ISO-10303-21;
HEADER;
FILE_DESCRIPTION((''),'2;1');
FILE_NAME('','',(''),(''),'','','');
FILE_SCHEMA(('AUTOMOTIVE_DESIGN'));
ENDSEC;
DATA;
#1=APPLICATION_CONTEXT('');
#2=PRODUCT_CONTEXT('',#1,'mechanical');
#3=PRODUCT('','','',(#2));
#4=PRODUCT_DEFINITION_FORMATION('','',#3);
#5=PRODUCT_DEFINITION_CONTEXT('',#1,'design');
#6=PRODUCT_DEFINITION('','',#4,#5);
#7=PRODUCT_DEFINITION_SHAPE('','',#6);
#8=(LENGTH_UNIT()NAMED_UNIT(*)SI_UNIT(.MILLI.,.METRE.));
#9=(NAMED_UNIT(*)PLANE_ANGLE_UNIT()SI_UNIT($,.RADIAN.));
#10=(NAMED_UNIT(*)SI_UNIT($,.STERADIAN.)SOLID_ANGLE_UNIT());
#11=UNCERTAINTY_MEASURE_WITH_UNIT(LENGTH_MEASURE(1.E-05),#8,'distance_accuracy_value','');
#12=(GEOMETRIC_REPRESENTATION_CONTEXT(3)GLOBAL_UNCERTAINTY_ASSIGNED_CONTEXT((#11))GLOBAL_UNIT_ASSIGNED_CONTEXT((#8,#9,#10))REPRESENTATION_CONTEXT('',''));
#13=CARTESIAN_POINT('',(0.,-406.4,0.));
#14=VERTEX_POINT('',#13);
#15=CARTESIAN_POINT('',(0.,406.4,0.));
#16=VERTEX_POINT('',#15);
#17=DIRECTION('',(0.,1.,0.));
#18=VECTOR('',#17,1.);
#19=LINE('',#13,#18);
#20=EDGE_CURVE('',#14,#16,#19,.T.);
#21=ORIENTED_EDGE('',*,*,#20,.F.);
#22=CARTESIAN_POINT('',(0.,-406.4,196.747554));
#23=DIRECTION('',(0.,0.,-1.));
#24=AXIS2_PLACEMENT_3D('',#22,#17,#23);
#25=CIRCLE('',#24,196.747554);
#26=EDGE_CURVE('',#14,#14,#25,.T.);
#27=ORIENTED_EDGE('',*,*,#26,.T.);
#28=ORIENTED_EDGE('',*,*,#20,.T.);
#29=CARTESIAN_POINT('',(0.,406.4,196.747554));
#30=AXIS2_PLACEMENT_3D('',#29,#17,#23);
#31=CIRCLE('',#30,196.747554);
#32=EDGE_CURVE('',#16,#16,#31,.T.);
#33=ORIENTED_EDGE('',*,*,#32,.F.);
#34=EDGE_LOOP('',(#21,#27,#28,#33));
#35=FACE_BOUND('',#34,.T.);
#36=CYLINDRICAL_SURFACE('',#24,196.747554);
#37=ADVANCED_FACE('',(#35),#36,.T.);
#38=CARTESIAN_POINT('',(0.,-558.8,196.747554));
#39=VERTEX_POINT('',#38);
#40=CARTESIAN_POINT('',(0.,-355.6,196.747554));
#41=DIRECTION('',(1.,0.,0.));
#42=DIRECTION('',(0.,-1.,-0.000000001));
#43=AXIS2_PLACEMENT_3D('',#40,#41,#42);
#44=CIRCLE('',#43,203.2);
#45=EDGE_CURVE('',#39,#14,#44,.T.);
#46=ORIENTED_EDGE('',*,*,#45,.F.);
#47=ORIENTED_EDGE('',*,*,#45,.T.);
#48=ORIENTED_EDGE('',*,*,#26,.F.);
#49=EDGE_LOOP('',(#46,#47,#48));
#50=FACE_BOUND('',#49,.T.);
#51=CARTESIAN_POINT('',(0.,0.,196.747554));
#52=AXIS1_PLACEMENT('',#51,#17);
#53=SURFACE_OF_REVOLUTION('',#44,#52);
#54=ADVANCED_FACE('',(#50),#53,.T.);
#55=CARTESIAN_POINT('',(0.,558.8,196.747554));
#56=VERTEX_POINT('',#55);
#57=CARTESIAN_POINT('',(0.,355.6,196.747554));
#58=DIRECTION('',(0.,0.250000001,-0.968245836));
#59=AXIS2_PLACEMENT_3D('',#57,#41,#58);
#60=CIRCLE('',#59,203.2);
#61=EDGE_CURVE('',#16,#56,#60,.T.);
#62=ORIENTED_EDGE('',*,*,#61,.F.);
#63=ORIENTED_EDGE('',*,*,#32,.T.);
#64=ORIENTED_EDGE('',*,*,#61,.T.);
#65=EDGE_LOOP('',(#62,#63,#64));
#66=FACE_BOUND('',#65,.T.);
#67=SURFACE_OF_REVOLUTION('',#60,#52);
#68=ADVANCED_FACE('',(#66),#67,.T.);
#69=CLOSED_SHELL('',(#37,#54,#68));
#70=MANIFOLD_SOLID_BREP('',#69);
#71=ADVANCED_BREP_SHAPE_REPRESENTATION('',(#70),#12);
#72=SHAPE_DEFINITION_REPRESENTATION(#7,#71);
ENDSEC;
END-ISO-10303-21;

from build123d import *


with BuildPart() as f1:
    # F0 (on Right) → F1 (revolve)
    with BuildSketch(Plane.YZ):
        with BuildLine():
            ThreePointArc((-558.8, 196.747554), (-516.243705, 72.313475), (-406.4, 0))
            Line((-406.4, 0), (406.4, 0))
            ThreePointArc((406.4, 0), (516.243705, 72.313475), (558.8, 196.747554))
            Line((558.8, 196.747554), (-558.8, 196.747554))
        make_face()
    revolve(axis=Axis((0, 0, 196.747554), (0, 1, 0)))


solid = f1.part
